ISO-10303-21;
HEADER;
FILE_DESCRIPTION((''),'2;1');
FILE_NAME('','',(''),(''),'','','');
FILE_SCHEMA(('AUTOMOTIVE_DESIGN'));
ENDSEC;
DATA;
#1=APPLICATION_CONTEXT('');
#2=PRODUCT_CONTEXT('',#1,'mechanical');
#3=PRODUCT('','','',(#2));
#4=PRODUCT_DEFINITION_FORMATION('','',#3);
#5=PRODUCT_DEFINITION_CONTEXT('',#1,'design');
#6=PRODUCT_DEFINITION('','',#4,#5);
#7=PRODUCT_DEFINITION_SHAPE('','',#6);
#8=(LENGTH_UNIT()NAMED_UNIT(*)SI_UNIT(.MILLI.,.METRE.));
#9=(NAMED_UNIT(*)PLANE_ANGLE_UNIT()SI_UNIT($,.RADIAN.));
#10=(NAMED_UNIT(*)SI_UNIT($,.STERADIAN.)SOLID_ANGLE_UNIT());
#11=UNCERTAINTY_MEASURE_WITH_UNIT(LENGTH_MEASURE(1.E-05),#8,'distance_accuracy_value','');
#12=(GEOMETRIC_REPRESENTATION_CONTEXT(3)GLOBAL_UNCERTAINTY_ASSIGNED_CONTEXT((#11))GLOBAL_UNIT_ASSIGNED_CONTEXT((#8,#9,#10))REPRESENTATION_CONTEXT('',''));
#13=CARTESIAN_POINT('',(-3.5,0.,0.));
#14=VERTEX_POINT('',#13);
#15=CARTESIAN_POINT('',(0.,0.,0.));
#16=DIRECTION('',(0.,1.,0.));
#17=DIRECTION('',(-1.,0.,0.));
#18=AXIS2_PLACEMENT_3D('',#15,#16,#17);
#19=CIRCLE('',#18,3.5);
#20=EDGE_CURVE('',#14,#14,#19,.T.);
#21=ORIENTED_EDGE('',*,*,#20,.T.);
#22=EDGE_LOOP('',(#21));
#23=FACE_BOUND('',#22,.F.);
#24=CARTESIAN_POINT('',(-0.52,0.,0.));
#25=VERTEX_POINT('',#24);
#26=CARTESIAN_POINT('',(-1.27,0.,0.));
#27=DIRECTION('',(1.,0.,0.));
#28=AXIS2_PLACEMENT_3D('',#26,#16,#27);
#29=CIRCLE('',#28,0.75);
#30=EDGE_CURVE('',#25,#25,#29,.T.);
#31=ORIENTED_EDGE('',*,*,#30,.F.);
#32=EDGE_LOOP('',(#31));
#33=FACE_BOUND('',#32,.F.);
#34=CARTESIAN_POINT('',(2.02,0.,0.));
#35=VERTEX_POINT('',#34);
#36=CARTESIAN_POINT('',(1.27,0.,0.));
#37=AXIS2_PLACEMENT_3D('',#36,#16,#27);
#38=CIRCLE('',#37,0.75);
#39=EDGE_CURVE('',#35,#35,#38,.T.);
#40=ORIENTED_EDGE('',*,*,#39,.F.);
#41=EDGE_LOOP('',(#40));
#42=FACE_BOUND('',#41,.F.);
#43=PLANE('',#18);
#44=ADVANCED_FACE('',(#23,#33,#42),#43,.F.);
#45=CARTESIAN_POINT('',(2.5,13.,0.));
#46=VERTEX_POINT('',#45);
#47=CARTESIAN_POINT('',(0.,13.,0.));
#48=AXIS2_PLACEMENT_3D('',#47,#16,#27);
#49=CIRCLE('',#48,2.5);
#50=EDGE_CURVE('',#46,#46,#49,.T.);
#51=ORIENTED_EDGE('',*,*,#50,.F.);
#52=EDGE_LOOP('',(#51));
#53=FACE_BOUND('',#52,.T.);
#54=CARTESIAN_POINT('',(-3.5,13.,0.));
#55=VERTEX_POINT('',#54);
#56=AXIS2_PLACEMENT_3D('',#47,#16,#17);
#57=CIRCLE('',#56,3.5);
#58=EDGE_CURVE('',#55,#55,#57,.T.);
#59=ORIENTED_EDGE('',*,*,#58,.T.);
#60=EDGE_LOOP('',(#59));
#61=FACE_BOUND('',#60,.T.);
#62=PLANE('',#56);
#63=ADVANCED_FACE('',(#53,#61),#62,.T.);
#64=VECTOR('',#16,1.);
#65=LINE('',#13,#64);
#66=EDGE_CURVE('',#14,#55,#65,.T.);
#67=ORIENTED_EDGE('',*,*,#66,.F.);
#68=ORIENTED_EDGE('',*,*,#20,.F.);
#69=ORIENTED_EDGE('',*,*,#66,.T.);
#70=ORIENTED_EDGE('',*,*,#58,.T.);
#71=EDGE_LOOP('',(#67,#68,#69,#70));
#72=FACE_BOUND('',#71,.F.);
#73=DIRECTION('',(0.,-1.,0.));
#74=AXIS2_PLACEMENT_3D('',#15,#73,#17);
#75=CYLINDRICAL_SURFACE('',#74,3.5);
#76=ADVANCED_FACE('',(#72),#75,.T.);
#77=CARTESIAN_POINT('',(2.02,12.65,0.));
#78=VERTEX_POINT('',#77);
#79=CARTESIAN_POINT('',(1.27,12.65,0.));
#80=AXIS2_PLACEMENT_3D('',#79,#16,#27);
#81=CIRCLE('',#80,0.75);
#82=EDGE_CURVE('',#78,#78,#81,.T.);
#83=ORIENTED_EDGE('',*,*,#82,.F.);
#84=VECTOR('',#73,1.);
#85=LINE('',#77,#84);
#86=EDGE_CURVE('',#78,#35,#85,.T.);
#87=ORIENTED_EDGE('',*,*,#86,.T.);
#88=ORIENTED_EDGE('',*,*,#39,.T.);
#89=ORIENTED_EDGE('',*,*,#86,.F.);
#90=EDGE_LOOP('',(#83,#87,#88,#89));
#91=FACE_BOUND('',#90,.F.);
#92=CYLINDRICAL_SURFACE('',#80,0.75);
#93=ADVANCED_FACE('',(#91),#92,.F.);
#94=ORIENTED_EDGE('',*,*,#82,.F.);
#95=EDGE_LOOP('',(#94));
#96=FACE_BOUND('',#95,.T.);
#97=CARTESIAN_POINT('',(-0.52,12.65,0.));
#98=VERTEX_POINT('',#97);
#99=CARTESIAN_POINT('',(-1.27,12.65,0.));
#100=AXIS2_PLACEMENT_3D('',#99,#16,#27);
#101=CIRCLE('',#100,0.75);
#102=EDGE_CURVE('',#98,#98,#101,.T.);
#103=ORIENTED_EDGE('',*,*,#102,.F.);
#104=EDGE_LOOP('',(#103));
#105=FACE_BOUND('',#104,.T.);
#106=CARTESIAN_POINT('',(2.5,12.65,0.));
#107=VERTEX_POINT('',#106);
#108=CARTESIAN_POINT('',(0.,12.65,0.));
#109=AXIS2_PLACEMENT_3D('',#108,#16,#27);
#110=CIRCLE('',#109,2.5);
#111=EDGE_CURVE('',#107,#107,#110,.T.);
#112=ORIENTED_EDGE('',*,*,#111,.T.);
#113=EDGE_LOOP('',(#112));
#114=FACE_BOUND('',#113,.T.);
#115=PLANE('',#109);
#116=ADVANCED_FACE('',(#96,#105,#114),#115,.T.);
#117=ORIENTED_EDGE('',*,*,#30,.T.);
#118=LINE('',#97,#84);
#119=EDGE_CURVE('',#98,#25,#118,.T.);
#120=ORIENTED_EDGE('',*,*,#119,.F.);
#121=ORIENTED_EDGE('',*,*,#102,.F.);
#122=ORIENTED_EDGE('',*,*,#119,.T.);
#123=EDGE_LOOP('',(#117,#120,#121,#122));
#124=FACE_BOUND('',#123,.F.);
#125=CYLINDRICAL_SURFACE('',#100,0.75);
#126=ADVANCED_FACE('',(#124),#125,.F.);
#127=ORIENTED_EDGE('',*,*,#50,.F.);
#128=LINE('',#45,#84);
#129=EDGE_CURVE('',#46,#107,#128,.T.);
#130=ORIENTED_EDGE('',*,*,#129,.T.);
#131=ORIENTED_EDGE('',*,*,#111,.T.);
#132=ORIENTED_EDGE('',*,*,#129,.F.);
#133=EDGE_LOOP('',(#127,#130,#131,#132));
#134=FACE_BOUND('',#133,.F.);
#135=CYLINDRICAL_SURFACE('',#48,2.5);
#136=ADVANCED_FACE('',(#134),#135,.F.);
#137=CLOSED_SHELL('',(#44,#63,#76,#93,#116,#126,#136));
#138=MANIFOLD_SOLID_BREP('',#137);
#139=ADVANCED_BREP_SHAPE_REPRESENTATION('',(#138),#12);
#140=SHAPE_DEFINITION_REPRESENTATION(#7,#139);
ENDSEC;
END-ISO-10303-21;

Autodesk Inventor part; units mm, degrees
ref_plane "YZ Plane" through (0, 0, 0) normal (1, 0, 0) x (0, 1, 0)
ref_plane "XZ Plane" through (0, 0, 0) normal (0, 1, 0) x (-1, 0, 0)
ref_plane "XY Plane" through (0, 0, 0) normal (0, 0, 1) x (1, 0, 0)
sketch "Skizze1" plane through (0, 0, 0) normal (0, 1, 0) x (-1, 0, 0)
  circle A0 centre (0, 0) radius 3.5
  dimension "d0" = 7
extrude "Extrusion1" add sketch "Skizze1" along normal blind 13
sketch "Skizze2" plane through (0, 13, 0) normal (0, 1, 0) x (1, 0, 0)
  circle A0 centre (0, 0) radius 2.5
  dimension "d3" = 5
extrude "Extrusion2" cut sketch "Skizze2" against normal blind 0.35
sketch "Skizze3" plane through (0, 12.65, 0) normal (0, 1, 0) x (1, 0, 0)
  line L0 (0, 0) -> (0, 2.5) construction
  circle A0 centre (0, 0) radius 2.5 construction
  circle A1 centre (-1.27, 0) radius 0.75
  circle A2 centre (1.27, 0) radius 0.75
  dimension "d6" = 1.5
  dimension "d7" = 2.54
extrude "Extrusion3" cut sketch "Skizze3" against normal through all
properties part number "Abstandhalter_13mm" material "PC/ABS-Kunststoff"
